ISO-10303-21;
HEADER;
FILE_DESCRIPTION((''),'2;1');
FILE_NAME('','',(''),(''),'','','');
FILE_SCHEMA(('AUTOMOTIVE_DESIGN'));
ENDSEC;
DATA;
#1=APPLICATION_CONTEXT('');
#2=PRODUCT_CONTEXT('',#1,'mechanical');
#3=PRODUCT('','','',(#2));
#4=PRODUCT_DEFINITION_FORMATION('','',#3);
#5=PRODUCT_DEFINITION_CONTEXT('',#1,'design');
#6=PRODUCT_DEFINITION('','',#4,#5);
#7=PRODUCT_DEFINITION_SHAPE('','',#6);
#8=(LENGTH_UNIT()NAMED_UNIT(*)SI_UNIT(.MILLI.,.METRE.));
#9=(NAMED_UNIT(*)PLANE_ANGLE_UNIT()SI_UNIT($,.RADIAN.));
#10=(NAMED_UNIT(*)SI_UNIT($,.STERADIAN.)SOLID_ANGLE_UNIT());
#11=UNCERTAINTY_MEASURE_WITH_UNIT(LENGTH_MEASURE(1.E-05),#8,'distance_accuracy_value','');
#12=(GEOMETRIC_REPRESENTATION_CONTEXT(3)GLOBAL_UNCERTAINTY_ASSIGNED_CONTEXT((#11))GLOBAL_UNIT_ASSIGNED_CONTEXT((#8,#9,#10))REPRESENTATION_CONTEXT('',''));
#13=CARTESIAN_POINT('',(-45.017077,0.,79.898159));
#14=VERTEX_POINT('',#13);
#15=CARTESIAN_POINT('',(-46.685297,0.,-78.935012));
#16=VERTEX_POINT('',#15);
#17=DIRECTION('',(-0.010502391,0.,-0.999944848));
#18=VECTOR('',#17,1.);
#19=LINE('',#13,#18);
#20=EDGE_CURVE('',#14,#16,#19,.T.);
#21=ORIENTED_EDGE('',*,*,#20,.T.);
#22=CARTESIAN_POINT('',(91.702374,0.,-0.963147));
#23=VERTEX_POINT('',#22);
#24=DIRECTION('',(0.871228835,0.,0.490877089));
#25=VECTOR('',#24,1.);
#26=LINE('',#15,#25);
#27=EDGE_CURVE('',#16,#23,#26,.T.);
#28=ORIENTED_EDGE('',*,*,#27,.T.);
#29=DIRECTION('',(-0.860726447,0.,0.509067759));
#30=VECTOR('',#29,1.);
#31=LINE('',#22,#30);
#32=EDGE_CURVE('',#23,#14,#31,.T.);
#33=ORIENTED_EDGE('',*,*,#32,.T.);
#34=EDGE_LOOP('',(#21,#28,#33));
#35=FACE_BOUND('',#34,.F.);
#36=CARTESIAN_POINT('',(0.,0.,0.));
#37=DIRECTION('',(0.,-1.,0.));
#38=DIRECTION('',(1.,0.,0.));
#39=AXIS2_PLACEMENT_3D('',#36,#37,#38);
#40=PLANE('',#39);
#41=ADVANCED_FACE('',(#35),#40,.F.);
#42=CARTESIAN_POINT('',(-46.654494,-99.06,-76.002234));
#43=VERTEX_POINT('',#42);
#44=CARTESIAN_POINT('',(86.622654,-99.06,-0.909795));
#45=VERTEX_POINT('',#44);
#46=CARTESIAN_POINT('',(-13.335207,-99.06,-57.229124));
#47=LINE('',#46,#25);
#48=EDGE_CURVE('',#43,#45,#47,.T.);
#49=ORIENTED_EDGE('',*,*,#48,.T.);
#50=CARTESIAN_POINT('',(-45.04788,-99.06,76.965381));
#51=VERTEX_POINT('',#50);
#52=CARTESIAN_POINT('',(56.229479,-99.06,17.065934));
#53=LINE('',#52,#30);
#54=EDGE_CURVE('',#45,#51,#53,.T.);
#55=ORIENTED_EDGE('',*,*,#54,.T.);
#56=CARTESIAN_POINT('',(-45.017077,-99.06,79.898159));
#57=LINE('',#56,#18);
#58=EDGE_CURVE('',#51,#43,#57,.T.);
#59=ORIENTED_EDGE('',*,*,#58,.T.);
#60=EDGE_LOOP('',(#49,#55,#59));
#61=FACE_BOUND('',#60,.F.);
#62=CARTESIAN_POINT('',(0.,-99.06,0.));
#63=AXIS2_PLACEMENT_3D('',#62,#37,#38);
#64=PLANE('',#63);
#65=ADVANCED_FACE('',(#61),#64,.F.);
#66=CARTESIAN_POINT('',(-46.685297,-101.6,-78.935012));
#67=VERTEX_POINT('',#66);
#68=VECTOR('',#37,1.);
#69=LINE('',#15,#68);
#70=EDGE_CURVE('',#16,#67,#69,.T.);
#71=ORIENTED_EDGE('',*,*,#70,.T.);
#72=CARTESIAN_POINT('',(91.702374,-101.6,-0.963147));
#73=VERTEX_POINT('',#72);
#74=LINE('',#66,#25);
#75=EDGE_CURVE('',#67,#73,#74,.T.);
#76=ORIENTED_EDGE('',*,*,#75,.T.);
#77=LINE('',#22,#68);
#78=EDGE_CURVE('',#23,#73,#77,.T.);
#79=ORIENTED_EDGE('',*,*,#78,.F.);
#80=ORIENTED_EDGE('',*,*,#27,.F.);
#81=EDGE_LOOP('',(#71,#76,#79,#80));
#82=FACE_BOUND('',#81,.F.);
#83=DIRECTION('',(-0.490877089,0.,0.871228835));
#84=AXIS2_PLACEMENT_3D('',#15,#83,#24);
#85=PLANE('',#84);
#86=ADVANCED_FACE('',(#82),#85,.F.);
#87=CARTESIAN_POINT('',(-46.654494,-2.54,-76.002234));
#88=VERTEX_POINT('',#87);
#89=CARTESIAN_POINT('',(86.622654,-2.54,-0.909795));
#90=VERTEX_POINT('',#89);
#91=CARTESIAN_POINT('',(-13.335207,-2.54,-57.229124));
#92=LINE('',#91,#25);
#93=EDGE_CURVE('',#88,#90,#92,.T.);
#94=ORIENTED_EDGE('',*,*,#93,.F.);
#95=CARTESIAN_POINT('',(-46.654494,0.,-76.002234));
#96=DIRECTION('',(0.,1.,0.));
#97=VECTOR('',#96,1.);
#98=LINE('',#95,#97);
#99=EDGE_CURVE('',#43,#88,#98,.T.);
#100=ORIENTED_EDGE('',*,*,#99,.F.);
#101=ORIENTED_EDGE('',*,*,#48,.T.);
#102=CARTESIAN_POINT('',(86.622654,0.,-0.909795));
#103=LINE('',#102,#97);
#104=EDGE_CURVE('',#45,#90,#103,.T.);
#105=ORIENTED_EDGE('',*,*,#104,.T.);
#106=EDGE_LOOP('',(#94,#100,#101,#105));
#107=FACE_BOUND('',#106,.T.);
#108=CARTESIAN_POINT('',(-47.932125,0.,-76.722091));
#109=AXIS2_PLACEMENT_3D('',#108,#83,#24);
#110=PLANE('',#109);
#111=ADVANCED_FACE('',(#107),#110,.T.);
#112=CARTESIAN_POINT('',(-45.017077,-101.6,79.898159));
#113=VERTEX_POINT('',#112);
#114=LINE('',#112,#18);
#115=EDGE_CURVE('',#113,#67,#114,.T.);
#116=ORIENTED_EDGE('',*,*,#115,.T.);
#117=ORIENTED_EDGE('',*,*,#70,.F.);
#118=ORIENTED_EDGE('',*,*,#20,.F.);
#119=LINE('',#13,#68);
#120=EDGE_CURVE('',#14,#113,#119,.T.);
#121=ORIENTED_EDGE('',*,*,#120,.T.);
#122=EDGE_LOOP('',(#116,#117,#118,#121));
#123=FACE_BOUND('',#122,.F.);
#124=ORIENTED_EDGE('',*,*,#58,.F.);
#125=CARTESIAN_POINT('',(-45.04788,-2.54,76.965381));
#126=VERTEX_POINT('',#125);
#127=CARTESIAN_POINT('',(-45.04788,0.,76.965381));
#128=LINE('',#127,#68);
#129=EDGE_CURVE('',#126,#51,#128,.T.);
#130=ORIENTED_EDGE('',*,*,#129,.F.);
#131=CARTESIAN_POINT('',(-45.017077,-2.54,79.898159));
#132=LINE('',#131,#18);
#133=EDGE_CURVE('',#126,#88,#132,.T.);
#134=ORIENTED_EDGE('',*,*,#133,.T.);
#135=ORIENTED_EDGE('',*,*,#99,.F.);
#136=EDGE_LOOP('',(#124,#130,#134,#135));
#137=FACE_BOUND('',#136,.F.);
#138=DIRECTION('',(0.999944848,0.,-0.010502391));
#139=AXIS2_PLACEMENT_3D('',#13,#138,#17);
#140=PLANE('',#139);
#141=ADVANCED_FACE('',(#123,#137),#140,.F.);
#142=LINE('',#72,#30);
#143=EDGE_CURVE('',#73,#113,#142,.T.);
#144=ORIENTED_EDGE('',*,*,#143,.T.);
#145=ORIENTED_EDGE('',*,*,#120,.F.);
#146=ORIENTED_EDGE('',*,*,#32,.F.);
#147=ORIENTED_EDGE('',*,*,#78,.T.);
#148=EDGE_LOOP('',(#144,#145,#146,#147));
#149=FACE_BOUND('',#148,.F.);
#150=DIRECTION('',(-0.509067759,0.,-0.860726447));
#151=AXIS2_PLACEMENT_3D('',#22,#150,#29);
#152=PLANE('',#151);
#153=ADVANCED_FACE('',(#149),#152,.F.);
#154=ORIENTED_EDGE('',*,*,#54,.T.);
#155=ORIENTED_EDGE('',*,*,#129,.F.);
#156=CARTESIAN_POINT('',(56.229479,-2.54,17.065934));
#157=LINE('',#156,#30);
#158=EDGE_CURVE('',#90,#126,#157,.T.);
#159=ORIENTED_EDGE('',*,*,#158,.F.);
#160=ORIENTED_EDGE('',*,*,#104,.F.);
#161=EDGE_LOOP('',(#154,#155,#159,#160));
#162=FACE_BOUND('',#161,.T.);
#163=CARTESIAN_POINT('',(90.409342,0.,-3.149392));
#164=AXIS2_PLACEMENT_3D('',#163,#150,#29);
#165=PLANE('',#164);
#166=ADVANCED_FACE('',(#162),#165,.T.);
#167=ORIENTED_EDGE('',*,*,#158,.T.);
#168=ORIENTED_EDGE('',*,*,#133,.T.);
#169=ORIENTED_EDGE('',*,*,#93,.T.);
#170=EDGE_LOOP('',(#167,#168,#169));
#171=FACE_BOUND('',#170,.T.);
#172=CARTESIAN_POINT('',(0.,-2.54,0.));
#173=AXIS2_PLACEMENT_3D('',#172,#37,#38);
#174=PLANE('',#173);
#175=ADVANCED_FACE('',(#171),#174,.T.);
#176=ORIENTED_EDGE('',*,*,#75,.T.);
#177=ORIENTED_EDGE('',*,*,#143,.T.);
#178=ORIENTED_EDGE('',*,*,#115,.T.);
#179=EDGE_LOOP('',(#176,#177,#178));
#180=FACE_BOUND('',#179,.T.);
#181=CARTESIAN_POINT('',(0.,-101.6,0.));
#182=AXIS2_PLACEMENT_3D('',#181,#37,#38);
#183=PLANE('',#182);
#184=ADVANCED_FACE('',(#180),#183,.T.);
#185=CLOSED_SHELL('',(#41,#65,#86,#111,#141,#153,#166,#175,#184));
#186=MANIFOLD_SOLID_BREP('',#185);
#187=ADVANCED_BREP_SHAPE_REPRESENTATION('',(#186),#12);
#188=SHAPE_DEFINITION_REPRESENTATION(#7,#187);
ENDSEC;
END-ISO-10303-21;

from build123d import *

# Parameters (mm, degrees)
F1_DEPTH = 101.6
F2_T     = -2.54


with BuildPart() as f1:
    # F0 (on Front) → F1 (new body)
    with BuildSketch(Plane.XZ):
        Polygon((91.702374, -0.963147), (-45.017077, 79.898159), (-46.685297, -78.935012), align=None)
    extrude(amount=F1_DEPTH)

    # F2
    f2_openings = [f1.faces().sort_by_distance(p)[0] for p in [
        (-45.851187, -50.8, 0.481574),
    ]]
    offset(amount=F2_T, openings=f2_openings)


solid = f1.part
